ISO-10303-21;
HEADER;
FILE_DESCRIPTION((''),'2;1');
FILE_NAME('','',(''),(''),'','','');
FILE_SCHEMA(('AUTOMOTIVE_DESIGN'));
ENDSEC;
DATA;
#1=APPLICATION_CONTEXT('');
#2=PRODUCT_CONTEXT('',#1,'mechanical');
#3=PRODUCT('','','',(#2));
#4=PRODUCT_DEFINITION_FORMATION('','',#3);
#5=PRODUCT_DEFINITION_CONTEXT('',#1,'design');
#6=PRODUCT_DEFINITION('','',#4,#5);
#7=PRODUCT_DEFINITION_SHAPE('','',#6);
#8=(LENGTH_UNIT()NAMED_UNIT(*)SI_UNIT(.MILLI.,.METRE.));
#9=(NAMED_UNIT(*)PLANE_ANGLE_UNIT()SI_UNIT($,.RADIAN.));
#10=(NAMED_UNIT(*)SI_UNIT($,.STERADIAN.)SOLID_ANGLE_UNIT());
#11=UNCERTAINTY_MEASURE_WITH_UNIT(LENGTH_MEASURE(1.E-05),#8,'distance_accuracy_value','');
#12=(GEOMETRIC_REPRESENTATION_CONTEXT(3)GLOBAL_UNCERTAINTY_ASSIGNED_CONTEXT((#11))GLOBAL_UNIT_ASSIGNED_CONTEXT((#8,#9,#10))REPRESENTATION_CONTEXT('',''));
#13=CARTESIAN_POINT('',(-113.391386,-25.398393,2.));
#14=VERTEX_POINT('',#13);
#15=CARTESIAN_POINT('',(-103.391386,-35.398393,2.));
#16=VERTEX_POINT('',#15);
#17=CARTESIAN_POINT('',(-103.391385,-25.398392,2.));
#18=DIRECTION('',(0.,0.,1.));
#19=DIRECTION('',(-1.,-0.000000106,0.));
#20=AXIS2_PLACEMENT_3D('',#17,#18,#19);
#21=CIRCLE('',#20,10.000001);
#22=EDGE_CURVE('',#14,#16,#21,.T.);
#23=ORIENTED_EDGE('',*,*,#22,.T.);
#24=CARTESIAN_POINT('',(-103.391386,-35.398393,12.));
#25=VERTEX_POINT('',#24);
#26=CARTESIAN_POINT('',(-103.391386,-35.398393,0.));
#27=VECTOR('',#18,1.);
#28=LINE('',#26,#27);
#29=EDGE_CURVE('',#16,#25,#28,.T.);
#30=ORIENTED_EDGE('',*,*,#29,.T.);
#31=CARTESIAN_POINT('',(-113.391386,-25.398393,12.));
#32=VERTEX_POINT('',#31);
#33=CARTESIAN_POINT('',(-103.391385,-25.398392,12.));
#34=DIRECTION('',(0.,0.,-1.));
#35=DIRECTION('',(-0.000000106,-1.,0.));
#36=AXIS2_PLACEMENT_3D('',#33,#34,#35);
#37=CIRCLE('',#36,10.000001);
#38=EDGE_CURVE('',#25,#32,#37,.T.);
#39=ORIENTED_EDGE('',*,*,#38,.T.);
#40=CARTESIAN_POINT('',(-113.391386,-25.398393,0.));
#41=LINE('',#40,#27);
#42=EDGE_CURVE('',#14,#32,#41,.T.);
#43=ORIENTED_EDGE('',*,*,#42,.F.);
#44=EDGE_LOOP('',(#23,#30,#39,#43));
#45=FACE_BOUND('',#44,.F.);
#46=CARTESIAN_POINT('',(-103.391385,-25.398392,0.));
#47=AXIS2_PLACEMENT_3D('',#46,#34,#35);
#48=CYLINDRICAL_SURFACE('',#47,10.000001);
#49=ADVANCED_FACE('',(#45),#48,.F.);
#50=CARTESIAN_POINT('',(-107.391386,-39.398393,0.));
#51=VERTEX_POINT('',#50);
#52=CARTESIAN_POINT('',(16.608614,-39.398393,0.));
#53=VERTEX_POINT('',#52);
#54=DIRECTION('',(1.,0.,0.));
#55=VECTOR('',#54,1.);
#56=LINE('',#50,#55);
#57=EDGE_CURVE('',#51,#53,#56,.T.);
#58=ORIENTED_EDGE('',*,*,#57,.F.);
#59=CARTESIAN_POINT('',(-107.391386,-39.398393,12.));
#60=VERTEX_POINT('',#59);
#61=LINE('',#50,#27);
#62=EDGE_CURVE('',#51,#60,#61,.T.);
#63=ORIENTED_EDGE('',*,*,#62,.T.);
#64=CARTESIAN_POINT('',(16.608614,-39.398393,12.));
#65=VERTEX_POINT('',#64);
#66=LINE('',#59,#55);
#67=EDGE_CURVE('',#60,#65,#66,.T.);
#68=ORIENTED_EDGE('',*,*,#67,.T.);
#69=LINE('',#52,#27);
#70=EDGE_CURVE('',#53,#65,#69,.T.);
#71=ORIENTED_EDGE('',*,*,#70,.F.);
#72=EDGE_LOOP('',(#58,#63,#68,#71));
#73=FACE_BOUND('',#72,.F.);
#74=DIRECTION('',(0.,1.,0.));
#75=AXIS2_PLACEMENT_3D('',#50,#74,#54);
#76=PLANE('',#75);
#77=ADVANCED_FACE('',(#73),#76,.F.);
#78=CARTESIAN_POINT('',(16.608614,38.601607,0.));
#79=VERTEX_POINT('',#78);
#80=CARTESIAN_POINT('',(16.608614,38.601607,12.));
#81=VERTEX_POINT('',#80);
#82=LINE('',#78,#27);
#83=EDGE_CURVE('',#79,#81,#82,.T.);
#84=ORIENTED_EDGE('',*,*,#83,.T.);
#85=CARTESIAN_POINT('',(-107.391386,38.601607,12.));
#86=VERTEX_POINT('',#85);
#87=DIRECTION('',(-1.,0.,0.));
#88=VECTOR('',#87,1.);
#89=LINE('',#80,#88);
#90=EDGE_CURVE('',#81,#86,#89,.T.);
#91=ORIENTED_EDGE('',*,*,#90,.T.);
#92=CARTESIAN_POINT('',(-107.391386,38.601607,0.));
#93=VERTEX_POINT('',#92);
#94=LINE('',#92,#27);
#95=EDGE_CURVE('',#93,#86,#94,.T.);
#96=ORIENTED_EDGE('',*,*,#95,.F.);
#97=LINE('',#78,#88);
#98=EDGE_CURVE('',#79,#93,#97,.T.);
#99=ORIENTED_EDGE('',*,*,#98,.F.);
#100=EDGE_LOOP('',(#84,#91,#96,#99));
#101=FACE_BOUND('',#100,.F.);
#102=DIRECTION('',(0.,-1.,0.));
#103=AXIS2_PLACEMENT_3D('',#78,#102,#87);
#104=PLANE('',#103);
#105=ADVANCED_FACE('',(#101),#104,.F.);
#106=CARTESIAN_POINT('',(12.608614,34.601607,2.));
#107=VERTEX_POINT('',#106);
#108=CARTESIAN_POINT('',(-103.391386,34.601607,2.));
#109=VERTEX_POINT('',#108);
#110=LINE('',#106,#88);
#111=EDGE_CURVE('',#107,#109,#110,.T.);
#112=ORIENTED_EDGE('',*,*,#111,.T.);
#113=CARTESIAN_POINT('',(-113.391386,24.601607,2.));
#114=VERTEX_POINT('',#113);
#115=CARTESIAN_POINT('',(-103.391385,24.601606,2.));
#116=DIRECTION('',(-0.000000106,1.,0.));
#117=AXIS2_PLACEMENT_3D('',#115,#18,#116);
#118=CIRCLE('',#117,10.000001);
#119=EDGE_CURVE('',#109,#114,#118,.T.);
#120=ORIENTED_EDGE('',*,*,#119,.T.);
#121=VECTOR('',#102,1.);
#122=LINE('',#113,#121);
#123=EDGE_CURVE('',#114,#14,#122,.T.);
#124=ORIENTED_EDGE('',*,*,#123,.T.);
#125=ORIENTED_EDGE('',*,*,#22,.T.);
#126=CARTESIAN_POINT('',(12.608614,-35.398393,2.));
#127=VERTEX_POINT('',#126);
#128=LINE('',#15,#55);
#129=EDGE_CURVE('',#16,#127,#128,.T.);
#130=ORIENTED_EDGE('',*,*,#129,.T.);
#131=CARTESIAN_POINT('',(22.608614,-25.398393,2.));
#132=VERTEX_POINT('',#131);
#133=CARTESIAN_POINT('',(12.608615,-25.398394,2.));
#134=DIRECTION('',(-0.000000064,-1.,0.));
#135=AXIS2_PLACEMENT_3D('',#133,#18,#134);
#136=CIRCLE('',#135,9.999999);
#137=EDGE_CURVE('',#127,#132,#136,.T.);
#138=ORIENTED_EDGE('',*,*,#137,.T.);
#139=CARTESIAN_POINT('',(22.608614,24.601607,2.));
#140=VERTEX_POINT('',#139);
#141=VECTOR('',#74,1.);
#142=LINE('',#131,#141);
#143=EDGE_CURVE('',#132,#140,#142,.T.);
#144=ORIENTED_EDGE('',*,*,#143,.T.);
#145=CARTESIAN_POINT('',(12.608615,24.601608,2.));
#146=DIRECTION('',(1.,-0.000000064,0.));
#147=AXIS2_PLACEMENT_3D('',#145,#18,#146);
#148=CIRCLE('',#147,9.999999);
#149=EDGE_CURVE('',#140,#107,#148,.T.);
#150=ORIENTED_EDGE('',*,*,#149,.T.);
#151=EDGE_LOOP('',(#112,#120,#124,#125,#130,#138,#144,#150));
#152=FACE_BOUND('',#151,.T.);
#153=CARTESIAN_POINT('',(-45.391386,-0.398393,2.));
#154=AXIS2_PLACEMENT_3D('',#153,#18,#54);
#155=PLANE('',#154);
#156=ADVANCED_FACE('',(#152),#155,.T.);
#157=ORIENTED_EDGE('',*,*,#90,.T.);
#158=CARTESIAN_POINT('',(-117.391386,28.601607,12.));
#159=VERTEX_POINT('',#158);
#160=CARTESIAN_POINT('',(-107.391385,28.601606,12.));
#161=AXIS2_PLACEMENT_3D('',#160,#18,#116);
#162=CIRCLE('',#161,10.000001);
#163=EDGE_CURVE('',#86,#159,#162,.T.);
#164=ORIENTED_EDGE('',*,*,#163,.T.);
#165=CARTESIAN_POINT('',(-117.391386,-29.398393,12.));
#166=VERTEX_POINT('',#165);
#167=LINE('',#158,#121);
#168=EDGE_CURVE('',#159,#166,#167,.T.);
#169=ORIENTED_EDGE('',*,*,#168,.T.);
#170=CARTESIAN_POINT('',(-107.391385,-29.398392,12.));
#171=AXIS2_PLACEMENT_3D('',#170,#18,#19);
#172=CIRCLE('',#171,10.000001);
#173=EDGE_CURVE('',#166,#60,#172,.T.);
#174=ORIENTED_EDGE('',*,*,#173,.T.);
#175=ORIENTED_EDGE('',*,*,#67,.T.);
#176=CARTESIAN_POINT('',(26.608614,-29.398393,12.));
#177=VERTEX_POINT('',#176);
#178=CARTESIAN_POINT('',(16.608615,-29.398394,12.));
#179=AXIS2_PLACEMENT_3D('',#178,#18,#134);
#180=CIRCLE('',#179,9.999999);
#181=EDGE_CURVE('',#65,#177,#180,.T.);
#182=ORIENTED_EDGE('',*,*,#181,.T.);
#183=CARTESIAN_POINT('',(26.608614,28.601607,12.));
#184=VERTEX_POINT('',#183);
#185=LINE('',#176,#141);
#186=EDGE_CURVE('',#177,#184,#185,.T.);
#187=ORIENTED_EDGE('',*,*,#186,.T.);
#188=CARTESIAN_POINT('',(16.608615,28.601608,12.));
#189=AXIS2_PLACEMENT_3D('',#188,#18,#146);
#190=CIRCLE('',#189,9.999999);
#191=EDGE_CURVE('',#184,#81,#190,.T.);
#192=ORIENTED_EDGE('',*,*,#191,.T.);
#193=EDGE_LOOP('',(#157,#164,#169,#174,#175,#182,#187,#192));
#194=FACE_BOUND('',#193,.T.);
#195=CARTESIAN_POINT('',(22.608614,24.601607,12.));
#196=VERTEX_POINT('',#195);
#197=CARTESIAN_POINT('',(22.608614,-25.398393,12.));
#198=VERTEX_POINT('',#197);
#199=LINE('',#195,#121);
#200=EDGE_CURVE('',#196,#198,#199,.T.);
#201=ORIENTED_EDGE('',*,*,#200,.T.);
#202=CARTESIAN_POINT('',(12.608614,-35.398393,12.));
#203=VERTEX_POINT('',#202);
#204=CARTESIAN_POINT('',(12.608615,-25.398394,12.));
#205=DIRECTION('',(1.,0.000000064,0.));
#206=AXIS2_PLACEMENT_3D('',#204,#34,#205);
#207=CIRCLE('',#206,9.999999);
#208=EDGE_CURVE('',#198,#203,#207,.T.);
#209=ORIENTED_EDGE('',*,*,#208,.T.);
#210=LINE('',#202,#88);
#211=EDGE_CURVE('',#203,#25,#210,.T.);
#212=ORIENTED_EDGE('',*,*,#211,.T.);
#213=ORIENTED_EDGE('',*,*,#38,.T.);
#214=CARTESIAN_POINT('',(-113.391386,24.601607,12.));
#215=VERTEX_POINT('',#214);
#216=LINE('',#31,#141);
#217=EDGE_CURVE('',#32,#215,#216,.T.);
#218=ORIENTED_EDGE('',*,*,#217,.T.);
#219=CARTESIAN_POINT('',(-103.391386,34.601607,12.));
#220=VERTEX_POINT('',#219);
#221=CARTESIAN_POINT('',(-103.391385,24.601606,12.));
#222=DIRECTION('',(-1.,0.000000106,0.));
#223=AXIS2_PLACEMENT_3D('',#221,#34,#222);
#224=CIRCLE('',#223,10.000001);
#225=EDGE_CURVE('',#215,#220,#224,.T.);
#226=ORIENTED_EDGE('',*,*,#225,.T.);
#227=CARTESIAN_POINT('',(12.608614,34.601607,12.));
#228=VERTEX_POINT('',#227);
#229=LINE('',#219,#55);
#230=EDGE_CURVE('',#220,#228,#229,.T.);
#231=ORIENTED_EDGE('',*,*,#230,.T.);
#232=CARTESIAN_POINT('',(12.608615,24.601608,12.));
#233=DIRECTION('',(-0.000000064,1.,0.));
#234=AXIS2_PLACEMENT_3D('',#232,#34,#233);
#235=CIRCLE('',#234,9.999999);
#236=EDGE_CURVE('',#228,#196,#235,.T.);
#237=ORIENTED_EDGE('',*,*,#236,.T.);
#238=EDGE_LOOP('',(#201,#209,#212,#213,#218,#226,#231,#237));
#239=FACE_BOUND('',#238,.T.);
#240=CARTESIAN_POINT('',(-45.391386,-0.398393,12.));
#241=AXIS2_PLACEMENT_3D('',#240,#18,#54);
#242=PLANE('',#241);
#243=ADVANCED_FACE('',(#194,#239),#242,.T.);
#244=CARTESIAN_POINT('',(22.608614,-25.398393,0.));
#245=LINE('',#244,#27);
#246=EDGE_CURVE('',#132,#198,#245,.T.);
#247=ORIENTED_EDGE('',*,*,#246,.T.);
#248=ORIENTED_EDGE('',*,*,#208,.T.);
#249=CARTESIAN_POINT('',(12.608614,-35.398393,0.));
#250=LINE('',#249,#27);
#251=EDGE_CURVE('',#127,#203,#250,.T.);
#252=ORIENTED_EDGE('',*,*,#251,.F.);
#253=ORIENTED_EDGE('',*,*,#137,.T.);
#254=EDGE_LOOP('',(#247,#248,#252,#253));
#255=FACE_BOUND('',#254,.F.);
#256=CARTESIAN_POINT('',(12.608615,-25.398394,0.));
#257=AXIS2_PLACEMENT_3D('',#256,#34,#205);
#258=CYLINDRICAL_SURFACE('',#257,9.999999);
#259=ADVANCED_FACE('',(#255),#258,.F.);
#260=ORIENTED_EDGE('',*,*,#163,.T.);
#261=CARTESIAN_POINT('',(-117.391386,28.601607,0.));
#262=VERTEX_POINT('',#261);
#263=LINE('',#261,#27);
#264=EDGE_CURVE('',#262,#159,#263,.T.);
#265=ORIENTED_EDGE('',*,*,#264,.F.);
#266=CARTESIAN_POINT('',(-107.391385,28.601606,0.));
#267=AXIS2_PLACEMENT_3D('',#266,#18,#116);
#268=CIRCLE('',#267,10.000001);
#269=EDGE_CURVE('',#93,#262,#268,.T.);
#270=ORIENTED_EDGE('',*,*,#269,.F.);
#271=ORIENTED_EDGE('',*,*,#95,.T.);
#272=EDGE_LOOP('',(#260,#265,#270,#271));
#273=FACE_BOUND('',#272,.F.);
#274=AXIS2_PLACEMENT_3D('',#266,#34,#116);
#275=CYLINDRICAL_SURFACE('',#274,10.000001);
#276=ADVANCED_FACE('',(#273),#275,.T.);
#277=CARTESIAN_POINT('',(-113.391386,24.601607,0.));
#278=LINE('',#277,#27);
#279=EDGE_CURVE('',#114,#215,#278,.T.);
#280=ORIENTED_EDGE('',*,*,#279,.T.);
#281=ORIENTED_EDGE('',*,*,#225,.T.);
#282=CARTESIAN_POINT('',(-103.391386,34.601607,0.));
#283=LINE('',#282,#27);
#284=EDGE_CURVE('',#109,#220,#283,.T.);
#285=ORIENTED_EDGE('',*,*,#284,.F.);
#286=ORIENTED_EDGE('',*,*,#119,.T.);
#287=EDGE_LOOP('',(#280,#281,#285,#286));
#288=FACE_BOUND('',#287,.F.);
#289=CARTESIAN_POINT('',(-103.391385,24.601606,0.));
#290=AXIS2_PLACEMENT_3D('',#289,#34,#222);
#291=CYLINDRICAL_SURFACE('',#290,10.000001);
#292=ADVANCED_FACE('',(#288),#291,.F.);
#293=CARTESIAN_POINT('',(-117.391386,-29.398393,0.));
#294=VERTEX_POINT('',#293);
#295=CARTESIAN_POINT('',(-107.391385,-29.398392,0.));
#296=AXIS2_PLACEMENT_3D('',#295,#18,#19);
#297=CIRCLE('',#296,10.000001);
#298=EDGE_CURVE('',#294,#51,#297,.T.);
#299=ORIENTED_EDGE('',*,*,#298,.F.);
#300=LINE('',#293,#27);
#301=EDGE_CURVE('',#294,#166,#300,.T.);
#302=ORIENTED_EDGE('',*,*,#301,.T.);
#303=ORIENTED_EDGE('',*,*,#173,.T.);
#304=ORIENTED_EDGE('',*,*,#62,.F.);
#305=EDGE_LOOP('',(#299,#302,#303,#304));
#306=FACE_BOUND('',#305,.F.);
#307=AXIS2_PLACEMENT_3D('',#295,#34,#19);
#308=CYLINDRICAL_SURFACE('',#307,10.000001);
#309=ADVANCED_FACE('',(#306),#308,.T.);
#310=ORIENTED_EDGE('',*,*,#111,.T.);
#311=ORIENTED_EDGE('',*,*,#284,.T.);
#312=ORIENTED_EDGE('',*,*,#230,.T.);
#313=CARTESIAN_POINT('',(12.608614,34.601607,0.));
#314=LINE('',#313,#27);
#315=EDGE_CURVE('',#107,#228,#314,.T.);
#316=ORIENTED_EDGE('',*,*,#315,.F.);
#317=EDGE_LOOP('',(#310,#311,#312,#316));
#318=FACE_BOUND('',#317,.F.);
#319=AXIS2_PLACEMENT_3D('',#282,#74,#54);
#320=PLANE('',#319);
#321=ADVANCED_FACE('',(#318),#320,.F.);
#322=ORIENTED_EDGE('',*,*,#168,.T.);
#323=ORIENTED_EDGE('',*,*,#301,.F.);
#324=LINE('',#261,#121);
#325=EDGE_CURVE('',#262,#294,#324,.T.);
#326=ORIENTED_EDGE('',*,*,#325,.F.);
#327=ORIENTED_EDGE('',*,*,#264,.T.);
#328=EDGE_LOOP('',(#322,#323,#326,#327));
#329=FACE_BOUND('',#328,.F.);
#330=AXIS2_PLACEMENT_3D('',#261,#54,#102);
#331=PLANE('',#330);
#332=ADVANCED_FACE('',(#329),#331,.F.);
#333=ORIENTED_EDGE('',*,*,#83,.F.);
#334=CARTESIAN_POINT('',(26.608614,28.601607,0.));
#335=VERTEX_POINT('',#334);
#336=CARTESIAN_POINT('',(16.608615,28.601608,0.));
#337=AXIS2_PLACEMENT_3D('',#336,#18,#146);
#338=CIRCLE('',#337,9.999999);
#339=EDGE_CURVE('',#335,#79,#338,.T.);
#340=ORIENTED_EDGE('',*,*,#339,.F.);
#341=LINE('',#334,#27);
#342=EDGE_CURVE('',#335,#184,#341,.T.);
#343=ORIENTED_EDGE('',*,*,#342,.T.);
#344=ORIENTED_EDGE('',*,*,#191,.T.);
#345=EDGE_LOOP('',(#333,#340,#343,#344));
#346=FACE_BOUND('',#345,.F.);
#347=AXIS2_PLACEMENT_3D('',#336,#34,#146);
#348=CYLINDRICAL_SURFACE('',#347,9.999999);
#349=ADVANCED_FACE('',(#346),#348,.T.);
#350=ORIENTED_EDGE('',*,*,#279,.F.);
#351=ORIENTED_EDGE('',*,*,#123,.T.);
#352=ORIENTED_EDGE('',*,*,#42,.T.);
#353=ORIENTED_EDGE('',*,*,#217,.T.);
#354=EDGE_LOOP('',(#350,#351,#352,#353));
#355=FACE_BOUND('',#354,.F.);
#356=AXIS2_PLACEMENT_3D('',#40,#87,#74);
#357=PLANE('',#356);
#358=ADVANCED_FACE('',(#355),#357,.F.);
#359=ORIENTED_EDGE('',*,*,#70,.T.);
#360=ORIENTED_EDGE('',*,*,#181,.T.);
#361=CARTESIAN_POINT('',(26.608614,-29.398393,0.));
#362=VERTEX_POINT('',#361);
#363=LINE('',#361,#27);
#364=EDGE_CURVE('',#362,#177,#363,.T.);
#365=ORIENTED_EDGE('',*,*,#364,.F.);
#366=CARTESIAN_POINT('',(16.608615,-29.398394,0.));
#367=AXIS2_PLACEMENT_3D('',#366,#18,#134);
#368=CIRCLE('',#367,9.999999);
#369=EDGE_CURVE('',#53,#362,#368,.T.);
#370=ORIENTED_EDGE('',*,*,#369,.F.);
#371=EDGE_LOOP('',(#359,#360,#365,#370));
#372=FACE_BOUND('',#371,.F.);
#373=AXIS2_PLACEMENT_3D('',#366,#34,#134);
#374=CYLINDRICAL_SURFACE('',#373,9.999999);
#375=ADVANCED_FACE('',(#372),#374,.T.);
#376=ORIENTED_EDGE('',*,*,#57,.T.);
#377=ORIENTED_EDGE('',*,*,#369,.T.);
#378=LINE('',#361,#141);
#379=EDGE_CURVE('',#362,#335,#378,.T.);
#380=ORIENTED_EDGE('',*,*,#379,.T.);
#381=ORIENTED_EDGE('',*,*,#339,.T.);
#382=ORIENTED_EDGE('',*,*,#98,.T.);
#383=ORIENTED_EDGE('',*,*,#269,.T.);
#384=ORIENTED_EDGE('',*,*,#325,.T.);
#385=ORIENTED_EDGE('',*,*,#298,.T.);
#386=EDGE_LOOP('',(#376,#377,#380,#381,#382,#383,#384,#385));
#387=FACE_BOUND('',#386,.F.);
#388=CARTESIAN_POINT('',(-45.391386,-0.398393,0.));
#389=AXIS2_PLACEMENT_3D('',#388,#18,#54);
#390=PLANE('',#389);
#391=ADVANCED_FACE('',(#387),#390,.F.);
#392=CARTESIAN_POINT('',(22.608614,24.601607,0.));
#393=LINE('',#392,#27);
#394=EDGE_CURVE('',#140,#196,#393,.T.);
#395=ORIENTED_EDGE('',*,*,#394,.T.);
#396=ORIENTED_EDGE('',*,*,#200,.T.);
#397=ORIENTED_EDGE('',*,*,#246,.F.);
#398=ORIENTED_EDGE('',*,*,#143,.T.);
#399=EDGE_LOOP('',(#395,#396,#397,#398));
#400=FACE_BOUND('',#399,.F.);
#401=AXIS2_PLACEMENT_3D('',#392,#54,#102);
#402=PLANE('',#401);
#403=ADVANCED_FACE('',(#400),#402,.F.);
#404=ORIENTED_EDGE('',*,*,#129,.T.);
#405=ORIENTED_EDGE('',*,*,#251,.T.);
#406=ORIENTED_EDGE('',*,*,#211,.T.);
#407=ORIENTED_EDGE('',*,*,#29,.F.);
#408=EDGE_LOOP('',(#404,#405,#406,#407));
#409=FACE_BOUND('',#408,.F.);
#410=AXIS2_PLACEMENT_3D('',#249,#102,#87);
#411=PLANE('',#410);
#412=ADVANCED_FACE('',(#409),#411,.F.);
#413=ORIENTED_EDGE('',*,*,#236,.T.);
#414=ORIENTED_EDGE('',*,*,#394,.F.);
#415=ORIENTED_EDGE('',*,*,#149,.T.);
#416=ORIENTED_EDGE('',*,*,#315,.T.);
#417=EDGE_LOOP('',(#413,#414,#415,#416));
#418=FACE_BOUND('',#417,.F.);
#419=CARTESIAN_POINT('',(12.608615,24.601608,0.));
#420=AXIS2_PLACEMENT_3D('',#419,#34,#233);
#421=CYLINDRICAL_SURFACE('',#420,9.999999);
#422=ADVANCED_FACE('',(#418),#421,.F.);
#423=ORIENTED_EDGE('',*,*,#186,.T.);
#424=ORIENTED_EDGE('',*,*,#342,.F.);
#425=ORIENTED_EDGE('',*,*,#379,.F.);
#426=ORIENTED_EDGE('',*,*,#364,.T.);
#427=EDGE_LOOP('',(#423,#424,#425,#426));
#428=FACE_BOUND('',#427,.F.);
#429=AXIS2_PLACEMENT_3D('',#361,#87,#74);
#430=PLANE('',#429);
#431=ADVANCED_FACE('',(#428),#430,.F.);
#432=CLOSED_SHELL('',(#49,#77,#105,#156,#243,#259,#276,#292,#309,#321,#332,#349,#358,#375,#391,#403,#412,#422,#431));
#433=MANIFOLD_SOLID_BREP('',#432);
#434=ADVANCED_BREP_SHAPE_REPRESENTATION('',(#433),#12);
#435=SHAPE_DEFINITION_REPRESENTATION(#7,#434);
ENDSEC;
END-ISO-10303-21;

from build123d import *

# Parameters (mm, degrees)
F1_DEPTH = 2
F2_DEPTH = 12


with BuildPart() as f1:
    # F0 (on Top) → F1 (new body)
    with BuildSketch(Plane.XY):
        with BuildLine():
            ThreePointArc((22.608614, 24.601607), (19.679682, 31.672675), (12.608614, 34.601607))
            Line((12.608614, 34.601607), (-103.391386, 34.601607))
            ThreePointArc((-103.391386, 34.601607), (-110.462453, 31.672675), (-113.391386, 24.601607))
            Line((-113.391386, 24.601607), (-113.391386, -25.398393))
            ThreePointArc((-113.391386, -25.398393), (-110.462453, -32.469461), (-103.391386, -35.398393))
            Line((-103.391386, -35.398393), (12.608614, -35.398393))
            ThreePointArc((12.608614, -35.398393), (19.679682, -32.469461), (22.608614, -25.398393))
            Line((22.608614, -25.398393), (22.608614, 24.601607))
        make_face()
    extrude(amount=F1_DEPTH)

    # F0 (on Top) → F2 (join)
    with BuildSketch(Plane.XY):
        with BuildLine():
            ThreePointArc((26.608614, 28.601607), (23.679682, 35.672675), (16.608614, 38.601607))
            Line((16.608614, 38.601607), (-107.391386, 38.601607))
            ThreePointArc((-107.391386, 38.601607), (-114.462453, 35.672675), (-117.391386, 28.601607))
            Line((-117.391386, 28.601607), (-117.391386, -29.398393))
            ThreePointArc((-117.391386, -29.398393), (-114.462453, -36.469461), (-107.391386, -39.398393))
            Line((-107.391386, -39.398393), (16.608614, -39.398393))
            ThreePointArc((16.608614, -39.398393), (23.679682, -36.469461), (26.608614, -29.398393))
            Line((26.608614, -29.398393), (26.608614, 28.601607))
        make_face()
        with BuildLine():
            Line((-103.391386, 34.601607), (12.608614, 34.601607))
            ThreePointArc((12.608614, 34.601607), (19.679682, 31.672675), (22.608614, 24.601607))
            Line((22.608614, 24.601607), (22.608614, -25.398393))
            ThreePointArc((22.608614, -25.398393), (19.679682, -32.469461), (12.608614, -35.398393))
            Line((12.608614, -35.398393), (-103.391386, -35.398393))
            ThreePointArc((-103.391386, -35.398393), (-110.462453, -32.469461), (-113.391386, -25.398393))
            Line((-113.391386, -25.398393), (-113.391386, 24.601607))
            ThreePointArc((-113.391386, 24.601607), (-110.462453, 31.672675), (-103.391386, 34.601607))
        make_face(mode=Mode.SUBTRACT)
    extrude(amount=F2_DEPTH)


solid = f1.part
